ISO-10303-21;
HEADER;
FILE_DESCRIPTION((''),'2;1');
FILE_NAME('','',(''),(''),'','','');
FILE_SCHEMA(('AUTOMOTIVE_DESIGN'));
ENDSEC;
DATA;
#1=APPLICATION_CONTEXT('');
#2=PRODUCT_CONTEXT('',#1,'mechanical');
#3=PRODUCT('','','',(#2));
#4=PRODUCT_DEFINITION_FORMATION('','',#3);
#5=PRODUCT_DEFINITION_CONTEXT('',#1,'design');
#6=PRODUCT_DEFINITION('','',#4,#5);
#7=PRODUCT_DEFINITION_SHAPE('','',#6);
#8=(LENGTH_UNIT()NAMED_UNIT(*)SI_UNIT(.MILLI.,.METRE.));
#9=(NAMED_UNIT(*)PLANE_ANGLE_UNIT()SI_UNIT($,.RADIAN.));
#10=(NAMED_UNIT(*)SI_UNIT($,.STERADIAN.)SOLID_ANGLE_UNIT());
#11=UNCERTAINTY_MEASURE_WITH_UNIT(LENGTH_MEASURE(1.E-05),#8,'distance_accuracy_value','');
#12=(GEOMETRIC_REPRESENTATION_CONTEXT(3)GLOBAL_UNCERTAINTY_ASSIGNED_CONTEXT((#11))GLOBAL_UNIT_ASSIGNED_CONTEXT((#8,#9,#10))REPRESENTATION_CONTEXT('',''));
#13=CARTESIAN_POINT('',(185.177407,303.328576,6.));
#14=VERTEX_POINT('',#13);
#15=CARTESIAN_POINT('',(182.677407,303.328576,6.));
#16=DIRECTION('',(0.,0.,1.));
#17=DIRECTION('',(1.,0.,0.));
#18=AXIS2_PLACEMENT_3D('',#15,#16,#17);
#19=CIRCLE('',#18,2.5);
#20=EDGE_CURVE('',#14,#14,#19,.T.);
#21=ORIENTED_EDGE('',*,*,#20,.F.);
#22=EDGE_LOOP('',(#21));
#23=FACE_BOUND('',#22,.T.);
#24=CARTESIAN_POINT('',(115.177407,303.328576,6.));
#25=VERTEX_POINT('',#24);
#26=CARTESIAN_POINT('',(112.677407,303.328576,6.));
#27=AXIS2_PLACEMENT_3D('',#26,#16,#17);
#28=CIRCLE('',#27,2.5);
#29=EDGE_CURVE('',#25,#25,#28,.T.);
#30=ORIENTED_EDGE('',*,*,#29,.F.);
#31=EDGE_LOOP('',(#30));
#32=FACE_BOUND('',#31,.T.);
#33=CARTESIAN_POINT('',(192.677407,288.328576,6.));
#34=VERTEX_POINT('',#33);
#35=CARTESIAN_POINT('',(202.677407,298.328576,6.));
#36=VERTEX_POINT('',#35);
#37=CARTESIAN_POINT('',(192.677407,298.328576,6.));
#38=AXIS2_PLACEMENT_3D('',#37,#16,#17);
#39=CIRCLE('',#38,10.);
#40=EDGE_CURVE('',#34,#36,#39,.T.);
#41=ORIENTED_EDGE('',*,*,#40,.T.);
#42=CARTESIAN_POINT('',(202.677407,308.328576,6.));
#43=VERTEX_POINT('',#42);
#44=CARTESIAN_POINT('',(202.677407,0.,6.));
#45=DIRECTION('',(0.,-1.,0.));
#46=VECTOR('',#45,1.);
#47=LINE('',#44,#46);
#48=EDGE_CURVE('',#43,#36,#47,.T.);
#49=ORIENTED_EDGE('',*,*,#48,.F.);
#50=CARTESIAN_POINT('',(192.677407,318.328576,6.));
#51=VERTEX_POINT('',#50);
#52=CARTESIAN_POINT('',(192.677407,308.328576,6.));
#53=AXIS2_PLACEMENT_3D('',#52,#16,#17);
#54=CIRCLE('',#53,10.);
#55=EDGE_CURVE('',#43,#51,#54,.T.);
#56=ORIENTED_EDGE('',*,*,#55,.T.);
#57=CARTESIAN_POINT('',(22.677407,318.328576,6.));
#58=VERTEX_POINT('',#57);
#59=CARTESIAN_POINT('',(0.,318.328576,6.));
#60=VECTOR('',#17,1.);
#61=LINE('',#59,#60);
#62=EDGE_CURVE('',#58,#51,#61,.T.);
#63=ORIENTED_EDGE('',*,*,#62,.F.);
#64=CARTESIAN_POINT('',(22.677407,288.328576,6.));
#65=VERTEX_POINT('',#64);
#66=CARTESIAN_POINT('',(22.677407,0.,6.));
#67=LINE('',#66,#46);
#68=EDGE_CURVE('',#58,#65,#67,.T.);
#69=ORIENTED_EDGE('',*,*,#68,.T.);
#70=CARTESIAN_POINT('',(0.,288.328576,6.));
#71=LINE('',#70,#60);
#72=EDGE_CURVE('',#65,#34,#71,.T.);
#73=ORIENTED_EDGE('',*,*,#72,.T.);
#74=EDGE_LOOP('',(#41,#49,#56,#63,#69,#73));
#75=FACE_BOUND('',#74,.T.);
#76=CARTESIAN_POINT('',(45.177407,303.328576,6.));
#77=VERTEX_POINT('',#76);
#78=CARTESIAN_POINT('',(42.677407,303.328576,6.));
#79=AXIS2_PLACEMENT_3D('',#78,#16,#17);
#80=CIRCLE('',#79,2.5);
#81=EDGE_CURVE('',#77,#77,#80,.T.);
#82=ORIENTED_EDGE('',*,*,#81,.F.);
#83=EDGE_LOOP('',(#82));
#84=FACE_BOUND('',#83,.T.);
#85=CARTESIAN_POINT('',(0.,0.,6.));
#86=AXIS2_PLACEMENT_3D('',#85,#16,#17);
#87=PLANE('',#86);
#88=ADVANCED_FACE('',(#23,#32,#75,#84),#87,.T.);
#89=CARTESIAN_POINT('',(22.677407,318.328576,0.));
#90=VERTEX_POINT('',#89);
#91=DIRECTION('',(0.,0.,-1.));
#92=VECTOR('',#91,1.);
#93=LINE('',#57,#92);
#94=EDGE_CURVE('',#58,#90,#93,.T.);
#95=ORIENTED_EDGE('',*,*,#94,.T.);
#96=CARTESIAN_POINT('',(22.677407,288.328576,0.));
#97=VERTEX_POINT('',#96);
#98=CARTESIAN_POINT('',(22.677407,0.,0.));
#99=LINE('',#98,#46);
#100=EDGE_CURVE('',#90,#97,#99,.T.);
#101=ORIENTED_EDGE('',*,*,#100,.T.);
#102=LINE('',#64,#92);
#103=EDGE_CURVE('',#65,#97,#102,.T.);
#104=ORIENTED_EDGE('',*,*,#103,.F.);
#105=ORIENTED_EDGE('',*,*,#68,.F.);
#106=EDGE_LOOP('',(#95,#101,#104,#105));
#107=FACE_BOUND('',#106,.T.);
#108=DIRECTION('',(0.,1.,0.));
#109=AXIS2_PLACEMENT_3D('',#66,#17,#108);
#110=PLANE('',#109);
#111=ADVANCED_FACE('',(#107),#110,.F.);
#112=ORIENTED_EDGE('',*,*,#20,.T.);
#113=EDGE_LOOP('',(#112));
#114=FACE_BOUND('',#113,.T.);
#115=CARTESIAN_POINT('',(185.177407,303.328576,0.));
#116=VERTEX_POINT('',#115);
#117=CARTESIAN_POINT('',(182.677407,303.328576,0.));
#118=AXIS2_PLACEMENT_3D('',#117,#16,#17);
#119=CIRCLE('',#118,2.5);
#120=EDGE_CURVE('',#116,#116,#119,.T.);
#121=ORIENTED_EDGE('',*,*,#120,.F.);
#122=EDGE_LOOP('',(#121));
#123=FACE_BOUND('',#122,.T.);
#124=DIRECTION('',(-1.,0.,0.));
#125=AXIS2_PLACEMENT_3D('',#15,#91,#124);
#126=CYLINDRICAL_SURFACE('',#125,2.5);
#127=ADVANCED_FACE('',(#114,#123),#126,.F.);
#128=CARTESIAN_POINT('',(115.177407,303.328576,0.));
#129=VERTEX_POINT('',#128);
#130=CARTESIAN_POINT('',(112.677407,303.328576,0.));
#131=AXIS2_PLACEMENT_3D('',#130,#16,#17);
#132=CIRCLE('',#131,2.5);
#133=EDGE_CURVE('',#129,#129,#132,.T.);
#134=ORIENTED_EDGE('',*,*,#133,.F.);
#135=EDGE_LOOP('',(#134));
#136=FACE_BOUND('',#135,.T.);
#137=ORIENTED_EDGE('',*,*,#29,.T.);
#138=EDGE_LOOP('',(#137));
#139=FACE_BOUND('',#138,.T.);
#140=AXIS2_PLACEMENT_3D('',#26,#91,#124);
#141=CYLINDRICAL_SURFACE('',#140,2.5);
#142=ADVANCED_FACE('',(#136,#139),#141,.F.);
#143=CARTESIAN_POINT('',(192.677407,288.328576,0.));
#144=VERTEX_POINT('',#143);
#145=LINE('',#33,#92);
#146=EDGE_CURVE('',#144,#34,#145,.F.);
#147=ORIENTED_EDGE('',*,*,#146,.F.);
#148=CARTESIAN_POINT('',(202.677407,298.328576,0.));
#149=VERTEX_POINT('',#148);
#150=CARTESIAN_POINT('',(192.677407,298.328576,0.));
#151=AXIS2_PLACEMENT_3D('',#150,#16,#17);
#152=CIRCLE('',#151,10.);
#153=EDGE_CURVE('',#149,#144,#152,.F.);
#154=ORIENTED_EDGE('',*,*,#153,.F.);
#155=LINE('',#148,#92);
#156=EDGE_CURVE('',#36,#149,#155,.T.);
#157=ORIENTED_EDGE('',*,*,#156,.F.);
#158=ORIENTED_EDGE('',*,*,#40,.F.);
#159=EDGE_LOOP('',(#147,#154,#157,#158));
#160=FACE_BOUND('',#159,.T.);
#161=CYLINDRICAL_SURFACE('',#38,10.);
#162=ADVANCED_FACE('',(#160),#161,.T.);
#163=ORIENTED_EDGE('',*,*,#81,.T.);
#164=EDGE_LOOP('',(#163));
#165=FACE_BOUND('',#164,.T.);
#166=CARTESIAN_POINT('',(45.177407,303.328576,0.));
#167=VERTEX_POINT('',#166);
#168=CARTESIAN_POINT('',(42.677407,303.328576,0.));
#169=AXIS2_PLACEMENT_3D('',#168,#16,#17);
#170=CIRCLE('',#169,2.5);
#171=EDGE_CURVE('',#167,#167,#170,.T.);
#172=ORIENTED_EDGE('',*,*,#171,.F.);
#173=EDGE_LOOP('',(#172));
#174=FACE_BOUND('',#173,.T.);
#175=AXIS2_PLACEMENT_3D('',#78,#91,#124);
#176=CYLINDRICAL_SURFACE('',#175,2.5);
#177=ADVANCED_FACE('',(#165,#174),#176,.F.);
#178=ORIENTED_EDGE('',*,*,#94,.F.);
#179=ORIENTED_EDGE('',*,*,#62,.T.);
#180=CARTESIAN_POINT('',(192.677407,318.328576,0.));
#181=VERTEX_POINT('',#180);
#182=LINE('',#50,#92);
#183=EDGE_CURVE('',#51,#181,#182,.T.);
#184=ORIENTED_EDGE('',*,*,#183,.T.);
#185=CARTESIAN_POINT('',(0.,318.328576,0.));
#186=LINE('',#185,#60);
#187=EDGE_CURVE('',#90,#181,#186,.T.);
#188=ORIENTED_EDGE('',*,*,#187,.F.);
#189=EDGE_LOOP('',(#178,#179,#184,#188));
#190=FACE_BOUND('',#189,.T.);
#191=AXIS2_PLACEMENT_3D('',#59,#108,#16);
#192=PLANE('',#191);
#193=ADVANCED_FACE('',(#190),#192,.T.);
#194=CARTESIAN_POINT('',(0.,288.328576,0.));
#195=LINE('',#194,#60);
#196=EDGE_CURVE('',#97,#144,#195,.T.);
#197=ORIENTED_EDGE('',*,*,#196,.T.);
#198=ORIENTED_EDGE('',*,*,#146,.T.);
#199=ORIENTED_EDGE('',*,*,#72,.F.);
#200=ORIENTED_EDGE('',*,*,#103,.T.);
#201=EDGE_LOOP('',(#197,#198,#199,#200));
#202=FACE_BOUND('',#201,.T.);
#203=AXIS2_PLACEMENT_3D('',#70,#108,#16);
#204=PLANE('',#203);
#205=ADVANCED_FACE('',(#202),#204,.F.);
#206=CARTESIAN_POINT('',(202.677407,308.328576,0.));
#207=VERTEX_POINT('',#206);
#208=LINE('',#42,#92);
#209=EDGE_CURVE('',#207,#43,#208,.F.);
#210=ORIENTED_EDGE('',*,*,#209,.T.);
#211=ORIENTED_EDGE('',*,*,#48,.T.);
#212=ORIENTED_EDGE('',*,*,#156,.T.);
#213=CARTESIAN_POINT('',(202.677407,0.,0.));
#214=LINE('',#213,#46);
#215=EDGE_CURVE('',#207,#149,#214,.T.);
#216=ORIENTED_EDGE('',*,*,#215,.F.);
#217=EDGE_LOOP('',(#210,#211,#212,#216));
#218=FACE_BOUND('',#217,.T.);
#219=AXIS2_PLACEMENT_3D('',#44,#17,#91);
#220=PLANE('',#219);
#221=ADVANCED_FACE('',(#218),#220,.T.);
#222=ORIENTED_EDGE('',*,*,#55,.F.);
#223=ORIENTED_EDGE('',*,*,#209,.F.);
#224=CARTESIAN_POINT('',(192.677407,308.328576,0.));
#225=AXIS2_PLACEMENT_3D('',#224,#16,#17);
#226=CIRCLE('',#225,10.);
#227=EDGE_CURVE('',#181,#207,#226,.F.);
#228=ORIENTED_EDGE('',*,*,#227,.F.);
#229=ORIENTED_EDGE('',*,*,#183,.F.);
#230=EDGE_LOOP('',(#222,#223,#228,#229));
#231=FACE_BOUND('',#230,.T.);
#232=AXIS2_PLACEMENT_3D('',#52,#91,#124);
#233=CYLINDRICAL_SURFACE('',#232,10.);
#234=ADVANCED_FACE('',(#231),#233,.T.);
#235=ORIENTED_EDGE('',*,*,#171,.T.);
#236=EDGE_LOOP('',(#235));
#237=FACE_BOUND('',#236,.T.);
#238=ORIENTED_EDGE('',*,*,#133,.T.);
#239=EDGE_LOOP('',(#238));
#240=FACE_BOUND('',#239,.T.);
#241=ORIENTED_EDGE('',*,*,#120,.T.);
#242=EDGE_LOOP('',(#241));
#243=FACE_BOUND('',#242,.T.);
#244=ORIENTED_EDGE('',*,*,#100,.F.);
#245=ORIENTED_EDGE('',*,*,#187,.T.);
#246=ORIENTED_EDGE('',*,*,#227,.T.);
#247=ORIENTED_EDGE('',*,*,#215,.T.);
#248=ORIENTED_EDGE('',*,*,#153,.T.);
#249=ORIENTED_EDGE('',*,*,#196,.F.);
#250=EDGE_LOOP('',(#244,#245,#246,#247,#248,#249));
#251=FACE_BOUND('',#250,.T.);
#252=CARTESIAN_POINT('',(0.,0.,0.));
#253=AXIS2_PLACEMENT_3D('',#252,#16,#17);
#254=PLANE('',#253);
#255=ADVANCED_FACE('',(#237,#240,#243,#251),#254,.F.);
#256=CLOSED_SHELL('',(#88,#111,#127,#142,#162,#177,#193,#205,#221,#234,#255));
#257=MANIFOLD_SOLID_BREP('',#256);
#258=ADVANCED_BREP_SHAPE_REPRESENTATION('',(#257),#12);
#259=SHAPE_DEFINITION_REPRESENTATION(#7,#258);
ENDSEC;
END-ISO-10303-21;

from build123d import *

# Parameters (mm, degrees)
SKETCH2_W           = 180
SKETCH2_H           = 30
SKETCH2_R           = 2.5
BOSS_EXTRUDE1_DEPTH = 6
FILLET1_R           = 10


with BuildPart() as part:
    # Sketch2 → Boss-Extrude1 (new body)
    with BuildSketch(Plane.XY):
        with Locations((112.677406729, 303.328575943)):
            Rectangle(SKETCH2_W, SKETCH2_H)
        with Locations((182.677406729, 303.328575943)):
            Circle(SKETCH2_R, mode=Mode.SUBTRACT)
        with Locations((112.677406729, 303.328575943)):
            Circle(SKETCH2_R, mode=Mode.SUBTRACT)
        with Locations((42.677406729, 303.328575943)):
            Circle(SKETCH2_R, mode=Mode.SUBTRACT)
    extrude(amount=BOSS_EXTRUDE1_DEPTH)

    # Fillet1
    fillet1_edges = [part.edges().sort_by_distance(p)[0] for p in [
        (202.677406729, 288.328575943, 3),
        (202.677406729, 318.328575943, 3),
    ]]
    fillet(fillet1_edges, radius=FILLET1_R)


solid = part.part
